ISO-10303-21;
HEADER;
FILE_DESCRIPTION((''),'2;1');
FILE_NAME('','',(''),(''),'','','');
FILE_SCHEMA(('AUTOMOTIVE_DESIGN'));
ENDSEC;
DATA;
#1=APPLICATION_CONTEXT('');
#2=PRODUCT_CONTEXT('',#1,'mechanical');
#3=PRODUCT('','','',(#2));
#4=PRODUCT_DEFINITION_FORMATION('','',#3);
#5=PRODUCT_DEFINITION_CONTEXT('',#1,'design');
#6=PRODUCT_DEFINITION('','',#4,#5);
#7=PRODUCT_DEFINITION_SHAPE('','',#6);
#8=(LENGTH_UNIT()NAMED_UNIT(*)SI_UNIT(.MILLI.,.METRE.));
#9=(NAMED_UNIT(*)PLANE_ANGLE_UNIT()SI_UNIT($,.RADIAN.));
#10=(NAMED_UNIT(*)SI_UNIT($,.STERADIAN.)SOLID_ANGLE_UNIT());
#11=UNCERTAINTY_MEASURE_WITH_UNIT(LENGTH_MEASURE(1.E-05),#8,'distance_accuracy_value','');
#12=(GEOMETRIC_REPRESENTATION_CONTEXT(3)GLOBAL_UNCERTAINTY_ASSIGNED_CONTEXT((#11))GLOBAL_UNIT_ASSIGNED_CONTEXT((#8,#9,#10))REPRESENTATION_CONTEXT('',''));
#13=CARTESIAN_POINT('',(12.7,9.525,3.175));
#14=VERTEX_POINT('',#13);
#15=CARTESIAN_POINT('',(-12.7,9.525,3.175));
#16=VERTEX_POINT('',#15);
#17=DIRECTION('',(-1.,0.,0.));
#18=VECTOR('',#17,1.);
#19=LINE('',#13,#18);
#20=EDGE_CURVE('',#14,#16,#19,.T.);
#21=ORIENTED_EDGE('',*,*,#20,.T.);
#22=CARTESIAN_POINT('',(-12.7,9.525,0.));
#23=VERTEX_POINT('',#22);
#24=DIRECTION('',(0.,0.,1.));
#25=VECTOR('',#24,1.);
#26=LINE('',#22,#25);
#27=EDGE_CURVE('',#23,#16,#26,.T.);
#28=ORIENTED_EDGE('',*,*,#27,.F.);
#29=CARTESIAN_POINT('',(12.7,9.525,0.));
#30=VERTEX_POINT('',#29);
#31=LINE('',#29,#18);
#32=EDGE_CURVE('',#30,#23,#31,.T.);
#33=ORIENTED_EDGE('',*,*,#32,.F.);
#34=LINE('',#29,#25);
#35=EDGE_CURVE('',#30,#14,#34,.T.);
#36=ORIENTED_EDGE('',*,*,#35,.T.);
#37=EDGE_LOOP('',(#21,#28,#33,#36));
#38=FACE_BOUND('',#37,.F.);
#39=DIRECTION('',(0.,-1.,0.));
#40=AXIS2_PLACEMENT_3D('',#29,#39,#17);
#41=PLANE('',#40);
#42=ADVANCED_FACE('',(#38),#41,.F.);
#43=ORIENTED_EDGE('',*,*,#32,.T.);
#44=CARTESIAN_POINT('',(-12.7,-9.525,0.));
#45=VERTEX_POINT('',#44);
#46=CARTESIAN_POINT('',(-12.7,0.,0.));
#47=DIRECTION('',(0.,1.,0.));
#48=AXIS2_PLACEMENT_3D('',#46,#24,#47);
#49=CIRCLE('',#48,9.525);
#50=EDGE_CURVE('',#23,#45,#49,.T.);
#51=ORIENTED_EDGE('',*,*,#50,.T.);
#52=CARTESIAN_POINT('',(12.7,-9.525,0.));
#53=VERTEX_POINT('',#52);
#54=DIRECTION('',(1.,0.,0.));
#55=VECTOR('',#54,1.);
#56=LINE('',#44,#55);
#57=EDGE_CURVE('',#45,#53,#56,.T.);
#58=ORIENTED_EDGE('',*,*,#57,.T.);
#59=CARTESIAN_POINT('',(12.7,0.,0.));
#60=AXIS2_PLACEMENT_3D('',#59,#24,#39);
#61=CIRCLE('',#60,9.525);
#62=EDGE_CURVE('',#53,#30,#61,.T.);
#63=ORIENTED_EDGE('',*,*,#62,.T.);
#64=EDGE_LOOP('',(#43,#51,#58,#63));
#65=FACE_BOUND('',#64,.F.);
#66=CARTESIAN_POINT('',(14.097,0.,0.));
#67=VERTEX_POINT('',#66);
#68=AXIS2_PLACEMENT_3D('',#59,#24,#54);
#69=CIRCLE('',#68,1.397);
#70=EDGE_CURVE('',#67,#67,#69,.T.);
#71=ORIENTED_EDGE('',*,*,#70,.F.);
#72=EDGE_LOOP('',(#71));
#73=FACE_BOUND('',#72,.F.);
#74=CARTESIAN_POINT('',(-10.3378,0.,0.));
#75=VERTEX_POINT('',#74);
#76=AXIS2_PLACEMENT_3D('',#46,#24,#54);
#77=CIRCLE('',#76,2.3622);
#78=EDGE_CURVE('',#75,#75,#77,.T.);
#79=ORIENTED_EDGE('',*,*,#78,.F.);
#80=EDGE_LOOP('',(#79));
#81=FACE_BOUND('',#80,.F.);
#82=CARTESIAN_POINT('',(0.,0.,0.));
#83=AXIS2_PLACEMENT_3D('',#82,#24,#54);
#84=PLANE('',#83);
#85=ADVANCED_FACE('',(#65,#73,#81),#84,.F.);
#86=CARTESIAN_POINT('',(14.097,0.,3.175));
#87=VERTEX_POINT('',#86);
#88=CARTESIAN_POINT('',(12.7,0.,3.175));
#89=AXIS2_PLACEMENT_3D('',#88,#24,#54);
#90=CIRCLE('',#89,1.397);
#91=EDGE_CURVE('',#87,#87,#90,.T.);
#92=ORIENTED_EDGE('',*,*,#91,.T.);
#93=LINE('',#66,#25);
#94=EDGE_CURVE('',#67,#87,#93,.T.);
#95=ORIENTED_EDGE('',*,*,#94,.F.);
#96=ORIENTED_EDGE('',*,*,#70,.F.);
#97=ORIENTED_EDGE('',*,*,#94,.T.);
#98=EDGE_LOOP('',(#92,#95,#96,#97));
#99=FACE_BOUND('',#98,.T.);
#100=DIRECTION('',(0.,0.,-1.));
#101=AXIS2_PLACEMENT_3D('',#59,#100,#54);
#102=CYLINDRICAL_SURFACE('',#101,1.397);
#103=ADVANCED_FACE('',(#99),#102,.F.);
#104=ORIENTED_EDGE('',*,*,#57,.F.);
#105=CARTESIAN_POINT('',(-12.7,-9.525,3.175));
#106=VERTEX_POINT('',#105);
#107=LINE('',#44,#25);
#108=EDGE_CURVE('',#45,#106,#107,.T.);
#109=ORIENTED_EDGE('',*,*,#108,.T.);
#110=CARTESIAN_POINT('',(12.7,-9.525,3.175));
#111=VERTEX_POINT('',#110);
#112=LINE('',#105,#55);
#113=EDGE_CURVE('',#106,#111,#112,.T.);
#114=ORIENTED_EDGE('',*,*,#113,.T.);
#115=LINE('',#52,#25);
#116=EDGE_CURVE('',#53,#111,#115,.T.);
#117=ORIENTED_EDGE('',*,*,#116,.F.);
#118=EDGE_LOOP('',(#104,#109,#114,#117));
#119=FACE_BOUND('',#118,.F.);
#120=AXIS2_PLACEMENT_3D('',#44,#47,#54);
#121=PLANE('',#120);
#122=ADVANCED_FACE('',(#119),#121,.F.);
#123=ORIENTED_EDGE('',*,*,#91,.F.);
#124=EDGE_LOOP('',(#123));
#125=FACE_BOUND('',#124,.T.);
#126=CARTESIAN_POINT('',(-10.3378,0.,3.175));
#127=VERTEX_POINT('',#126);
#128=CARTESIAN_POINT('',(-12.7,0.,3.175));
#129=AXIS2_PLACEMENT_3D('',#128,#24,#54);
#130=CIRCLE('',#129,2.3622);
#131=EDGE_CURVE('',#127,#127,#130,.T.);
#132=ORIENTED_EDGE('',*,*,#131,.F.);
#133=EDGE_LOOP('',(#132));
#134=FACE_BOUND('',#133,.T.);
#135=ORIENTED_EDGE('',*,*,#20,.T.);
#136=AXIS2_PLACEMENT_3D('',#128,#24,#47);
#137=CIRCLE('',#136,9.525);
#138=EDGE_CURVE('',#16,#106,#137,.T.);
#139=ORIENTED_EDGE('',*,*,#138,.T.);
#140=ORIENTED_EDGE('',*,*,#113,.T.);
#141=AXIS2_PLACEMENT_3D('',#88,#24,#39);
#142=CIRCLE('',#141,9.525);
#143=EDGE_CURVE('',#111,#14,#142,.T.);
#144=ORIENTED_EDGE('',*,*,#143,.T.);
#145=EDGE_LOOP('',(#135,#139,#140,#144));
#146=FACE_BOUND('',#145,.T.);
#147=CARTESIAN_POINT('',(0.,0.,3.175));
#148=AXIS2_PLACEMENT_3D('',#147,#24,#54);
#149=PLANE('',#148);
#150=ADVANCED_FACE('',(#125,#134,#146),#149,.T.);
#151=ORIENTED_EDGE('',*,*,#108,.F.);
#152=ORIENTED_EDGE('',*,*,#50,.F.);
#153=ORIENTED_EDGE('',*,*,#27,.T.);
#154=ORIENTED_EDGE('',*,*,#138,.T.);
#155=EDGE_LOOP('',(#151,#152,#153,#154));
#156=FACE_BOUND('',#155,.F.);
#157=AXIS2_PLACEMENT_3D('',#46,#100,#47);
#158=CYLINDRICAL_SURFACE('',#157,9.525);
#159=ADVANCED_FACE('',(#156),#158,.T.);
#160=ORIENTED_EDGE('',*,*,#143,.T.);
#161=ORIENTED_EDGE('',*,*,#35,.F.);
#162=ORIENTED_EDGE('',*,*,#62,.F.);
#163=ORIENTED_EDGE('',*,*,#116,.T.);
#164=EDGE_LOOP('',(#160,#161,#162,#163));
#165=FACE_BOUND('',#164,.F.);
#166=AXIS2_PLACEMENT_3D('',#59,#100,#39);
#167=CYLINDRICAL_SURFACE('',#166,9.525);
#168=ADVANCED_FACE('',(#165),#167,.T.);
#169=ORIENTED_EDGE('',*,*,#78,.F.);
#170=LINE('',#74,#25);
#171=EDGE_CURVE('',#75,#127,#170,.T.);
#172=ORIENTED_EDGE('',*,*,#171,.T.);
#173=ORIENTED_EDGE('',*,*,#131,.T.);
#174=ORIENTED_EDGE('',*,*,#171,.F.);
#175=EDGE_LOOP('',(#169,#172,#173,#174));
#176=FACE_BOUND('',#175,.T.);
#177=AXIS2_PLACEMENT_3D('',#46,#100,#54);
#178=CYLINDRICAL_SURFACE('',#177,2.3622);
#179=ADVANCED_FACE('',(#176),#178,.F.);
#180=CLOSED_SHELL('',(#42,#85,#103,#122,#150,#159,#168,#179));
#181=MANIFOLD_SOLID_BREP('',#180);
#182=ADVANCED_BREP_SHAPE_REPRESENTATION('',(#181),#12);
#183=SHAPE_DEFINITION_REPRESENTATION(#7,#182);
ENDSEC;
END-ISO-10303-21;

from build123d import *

# Parameters (mm, degrees)
F0_R     = 2.3622
F0_R_2   = 1.397
F1_DEPTH = 3.175


with BuildPart() as f1:
    # F0 (on Top) → F1 (new body)
    with BuildSketch(Plane.XY):
        with BuildLine():
            ThreePointArc((12.7, -9.525), (22.225, 0), (12.7, 9.525))
            Line((12.7, 9.525), (-12.7, 9.525))
            ThreePointArc((-12.7, 9.525), (-22.225, 0), (-12.7, -9.525))
            Line((-12.7, -9.525), (12.7, -9.525))
        make_face()
        with Locations((-12.7, 0)):
            Circle(F0_R, mode=Mode.SUBTRACT)
        with Locations((12.7, 0)):
            Circle(F0_R_2, mode=Mode.SUBTRACT)
    extrude(amount=F1_DEPTH)


solid = f1.part
